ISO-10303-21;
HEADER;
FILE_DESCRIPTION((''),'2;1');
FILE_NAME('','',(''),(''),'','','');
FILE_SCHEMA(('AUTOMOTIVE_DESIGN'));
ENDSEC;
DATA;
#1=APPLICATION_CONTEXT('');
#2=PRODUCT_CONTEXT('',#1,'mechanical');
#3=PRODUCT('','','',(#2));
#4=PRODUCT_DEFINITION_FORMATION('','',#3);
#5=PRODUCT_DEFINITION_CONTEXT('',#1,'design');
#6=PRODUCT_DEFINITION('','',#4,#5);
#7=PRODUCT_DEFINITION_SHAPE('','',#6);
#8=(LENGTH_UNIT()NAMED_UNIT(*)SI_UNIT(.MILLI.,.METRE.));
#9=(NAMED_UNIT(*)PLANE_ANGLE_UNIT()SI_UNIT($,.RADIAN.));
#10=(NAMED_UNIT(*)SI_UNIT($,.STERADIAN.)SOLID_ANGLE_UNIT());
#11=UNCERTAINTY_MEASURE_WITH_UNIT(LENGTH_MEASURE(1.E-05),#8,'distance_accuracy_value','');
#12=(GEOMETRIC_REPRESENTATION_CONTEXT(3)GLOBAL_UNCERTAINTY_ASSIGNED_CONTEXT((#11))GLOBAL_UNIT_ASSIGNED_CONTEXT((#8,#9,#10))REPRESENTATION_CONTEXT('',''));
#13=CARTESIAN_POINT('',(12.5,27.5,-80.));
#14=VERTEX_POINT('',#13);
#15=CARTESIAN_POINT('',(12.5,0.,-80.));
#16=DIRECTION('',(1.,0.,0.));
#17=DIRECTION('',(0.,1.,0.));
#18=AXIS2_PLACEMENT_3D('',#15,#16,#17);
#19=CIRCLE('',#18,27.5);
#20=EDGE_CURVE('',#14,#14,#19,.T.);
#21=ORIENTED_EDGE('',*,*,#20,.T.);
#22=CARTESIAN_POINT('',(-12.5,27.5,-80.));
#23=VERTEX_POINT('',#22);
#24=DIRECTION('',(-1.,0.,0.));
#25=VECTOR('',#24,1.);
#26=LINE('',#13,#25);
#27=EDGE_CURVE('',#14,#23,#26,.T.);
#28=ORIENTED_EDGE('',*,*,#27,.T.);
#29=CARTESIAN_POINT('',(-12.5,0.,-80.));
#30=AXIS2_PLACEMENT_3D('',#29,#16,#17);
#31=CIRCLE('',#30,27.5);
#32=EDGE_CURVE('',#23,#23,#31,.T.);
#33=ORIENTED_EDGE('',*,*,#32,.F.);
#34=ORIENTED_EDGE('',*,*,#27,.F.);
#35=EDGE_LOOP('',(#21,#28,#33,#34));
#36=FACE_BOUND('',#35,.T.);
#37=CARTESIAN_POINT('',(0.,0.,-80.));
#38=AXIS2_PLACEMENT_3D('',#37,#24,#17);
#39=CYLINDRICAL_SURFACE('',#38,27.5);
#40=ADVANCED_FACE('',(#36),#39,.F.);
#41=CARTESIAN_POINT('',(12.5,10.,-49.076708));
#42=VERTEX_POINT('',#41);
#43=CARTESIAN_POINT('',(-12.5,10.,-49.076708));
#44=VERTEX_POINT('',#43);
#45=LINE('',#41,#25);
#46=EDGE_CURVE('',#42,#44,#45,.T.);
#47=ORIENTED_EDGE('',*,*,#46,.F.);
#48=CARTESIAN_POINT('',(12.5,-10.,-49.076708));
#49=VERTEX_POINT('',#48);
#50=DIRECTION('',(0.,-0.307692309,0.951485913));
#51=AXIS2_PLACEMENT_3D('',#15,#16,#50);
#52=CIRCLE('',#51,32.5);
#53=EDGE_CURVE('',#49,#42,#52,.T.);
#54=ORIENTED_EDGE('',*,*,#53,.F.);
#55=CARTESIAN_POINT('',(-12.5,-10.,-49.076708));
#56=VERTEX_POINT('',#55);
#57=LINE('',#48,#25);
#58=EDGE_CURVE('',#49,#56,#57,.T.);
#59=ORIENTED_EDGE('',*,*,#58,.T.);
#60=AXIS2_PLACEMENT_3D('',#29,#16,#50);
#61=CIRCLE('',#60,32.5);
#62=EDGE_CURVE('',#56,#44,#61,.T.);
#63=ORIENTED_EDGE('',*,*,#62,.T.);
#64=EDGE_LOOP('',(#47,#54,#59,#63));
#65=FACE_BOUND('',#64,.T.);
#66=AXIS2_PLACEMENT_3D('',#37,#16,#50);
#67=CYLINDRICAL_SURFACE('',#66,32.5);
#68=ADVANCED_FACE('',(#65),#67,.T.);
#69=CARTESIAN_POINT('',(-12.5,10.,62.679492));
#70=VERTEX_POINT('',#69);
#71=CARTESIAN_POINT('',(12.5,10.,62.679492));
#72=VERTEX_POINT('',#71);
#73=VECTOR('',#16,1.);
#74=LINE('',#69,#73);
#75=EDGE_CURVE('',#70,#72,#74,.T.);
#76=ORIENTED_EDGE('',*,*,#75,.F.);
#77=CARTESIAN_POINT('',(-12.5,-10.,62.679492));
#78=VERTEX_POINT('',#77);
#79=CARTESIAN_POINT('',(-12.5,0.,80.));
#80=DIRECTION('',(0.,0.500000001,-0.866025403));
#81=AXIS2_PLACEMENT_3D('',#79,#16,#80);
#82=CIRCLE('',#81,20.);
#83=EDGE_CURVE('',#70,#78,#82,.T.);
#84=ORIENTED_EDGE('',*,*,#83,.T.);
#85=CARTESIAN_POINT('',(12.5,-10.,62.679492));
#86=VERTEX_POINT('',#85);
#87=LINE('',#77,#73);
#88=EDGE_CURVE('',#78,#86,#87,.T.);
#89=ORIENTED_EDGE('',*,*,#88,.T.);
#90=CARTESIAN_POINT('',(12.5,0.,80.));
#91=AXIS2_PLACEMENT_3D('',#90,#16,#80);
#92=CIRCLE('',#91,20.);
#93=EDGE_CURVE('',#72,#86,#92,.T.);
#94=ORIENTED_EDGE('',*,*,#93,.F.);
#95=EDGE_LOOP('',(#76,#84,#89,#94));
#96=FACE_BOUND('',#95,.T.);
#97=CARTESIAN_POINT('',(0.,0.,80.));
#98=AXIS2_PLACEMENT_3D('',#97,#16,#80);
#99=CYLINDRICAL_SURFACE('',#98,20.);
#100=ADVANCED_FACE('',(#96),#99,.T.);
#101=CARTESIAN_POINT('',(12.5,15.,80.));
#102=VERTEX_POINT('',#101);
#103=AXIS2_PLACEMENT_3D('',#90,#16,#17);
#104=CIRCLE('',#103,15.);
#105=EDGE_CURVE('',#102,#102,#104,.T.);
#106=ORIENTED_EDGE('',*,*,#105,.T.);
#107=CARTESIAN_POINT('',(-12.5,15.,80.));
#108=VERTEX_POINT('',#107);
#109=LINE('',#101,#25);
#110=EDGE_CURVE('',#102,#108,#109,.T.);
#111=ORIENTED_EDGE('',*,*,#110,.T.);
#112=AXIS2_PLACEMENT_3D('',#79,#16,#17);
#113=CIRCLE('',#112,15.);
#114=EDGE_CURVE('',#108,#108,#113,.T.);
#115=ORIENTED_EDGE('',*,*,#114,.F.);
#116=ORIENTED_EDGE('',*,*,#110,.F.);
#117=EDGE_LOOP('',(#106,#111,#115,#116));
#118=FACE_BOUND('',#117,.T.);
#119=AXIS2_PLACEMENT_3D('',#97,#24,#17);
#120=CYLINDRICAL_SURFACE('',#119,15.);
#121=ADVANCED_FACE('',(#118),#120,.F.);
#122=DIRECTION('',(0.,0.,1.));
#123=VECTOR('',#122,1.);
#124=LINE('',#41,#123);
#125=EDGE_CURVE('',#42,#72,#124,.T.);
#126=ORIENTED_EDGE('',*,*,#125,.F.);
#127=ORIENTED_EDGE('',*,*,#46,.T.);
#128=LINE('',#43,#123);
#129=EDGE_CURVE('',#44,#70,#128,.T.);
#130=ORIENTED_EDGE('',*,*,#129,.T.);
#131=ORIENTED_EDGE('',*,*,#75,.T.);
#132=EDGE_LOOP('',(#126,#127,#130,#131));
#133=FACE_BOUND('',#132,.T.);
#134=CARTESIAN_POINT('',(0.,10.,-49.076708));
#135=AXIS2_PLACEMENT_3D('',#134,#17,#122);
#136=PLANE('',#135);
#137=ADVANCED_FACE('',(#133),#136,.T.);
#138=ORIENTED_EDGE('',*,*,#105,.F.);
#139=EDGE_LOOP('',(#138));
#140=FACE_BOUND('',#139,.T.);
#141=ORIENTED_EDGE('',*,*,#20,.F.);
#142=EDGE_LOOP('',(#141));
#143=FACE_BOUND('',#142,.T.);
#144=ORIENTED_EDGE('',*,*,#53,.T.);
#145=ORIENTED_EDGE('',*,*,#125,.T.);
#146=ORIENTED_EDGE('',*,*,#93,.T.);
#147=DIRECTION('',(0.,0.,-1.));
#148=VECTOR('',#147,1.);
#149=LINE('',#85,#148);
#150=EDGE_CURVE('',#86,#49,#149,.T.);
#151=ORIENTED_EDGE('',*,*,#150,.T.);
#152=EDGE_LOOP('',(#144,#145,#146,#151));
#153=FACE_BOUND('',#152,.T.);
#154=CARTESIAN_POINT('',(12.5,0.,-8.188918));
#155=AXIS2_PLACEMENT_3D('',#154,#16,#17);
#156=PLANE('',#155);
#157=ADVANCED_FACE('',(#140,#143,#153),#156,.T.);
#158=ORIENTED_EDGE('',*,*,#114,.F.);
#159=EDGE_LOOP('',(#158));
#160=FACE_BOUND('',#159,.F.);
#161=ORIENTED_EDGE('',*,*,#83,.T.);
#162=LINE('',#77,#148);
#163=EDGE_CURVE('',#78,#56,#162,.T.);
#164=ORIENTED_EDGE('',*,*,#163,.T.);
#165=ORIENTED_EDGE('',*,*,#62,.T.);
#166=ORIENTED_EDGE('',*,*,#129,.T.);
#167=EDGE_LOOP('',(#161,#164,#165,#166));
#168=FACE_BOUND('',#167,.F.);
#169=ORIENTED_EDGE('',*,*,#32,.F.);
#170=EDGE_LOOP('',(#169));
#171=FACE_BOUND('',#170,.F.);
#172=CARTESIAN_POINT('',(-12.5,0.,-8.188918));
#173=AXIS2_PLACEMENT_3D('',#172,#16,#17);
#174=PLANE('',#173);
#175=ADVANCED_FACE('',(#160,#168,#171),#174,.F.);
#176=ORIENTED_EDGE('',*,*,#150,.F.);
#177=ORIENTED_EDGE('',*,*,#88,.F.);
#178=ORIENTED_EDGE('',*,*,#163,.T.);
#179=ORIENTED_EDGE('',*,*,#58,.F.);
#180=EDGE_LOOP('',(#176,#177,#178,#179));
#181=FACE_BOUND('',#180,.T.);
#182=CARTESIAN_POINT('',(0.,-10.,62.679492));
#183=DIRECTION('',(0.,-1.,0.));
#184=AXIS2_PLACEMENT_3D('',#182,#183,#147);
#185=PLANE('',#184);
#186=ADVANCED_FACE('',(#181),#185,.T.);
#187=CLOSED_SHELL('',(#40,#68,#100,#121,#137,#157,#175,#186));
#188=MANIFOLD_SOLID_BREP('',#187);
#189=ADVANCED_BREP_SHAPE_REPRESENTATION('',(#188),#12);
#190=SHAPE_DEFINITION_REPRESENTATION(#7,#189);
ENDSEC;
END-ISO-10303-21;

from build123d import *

# Parameters (mm, degrees)
F0_R     = 27.5
F0_R_2   = 15
F1_DEPTH = 12.5


with BuildPart() as f1:
    # F0 (on Right) → F1 (new body, symmetric)
    with BuildSketch(Plane.YZ):
        with BuildLine():
            Line((10, -49.076708), (10, 62.679492))
            ThreePointArc((10, 62.679492), (0, 100), (-10, 62.679492))
            Line((-10, 62.679492), (-10, -49.076708))
            ThreePointArc((-10, -49.076708), (0, -112.5), (10, -49.076708))
        make_face()
        with Locations((0, -80)):
            Circle(F0_R, mode=Mode.SUBTRACT)
        with Locations((0, 80)):
            Circle(F0_R_2, mode=Mode.SUBTRACT)
    extrude(amount=F1_DEPTH, both=True)


solid = f1.part
